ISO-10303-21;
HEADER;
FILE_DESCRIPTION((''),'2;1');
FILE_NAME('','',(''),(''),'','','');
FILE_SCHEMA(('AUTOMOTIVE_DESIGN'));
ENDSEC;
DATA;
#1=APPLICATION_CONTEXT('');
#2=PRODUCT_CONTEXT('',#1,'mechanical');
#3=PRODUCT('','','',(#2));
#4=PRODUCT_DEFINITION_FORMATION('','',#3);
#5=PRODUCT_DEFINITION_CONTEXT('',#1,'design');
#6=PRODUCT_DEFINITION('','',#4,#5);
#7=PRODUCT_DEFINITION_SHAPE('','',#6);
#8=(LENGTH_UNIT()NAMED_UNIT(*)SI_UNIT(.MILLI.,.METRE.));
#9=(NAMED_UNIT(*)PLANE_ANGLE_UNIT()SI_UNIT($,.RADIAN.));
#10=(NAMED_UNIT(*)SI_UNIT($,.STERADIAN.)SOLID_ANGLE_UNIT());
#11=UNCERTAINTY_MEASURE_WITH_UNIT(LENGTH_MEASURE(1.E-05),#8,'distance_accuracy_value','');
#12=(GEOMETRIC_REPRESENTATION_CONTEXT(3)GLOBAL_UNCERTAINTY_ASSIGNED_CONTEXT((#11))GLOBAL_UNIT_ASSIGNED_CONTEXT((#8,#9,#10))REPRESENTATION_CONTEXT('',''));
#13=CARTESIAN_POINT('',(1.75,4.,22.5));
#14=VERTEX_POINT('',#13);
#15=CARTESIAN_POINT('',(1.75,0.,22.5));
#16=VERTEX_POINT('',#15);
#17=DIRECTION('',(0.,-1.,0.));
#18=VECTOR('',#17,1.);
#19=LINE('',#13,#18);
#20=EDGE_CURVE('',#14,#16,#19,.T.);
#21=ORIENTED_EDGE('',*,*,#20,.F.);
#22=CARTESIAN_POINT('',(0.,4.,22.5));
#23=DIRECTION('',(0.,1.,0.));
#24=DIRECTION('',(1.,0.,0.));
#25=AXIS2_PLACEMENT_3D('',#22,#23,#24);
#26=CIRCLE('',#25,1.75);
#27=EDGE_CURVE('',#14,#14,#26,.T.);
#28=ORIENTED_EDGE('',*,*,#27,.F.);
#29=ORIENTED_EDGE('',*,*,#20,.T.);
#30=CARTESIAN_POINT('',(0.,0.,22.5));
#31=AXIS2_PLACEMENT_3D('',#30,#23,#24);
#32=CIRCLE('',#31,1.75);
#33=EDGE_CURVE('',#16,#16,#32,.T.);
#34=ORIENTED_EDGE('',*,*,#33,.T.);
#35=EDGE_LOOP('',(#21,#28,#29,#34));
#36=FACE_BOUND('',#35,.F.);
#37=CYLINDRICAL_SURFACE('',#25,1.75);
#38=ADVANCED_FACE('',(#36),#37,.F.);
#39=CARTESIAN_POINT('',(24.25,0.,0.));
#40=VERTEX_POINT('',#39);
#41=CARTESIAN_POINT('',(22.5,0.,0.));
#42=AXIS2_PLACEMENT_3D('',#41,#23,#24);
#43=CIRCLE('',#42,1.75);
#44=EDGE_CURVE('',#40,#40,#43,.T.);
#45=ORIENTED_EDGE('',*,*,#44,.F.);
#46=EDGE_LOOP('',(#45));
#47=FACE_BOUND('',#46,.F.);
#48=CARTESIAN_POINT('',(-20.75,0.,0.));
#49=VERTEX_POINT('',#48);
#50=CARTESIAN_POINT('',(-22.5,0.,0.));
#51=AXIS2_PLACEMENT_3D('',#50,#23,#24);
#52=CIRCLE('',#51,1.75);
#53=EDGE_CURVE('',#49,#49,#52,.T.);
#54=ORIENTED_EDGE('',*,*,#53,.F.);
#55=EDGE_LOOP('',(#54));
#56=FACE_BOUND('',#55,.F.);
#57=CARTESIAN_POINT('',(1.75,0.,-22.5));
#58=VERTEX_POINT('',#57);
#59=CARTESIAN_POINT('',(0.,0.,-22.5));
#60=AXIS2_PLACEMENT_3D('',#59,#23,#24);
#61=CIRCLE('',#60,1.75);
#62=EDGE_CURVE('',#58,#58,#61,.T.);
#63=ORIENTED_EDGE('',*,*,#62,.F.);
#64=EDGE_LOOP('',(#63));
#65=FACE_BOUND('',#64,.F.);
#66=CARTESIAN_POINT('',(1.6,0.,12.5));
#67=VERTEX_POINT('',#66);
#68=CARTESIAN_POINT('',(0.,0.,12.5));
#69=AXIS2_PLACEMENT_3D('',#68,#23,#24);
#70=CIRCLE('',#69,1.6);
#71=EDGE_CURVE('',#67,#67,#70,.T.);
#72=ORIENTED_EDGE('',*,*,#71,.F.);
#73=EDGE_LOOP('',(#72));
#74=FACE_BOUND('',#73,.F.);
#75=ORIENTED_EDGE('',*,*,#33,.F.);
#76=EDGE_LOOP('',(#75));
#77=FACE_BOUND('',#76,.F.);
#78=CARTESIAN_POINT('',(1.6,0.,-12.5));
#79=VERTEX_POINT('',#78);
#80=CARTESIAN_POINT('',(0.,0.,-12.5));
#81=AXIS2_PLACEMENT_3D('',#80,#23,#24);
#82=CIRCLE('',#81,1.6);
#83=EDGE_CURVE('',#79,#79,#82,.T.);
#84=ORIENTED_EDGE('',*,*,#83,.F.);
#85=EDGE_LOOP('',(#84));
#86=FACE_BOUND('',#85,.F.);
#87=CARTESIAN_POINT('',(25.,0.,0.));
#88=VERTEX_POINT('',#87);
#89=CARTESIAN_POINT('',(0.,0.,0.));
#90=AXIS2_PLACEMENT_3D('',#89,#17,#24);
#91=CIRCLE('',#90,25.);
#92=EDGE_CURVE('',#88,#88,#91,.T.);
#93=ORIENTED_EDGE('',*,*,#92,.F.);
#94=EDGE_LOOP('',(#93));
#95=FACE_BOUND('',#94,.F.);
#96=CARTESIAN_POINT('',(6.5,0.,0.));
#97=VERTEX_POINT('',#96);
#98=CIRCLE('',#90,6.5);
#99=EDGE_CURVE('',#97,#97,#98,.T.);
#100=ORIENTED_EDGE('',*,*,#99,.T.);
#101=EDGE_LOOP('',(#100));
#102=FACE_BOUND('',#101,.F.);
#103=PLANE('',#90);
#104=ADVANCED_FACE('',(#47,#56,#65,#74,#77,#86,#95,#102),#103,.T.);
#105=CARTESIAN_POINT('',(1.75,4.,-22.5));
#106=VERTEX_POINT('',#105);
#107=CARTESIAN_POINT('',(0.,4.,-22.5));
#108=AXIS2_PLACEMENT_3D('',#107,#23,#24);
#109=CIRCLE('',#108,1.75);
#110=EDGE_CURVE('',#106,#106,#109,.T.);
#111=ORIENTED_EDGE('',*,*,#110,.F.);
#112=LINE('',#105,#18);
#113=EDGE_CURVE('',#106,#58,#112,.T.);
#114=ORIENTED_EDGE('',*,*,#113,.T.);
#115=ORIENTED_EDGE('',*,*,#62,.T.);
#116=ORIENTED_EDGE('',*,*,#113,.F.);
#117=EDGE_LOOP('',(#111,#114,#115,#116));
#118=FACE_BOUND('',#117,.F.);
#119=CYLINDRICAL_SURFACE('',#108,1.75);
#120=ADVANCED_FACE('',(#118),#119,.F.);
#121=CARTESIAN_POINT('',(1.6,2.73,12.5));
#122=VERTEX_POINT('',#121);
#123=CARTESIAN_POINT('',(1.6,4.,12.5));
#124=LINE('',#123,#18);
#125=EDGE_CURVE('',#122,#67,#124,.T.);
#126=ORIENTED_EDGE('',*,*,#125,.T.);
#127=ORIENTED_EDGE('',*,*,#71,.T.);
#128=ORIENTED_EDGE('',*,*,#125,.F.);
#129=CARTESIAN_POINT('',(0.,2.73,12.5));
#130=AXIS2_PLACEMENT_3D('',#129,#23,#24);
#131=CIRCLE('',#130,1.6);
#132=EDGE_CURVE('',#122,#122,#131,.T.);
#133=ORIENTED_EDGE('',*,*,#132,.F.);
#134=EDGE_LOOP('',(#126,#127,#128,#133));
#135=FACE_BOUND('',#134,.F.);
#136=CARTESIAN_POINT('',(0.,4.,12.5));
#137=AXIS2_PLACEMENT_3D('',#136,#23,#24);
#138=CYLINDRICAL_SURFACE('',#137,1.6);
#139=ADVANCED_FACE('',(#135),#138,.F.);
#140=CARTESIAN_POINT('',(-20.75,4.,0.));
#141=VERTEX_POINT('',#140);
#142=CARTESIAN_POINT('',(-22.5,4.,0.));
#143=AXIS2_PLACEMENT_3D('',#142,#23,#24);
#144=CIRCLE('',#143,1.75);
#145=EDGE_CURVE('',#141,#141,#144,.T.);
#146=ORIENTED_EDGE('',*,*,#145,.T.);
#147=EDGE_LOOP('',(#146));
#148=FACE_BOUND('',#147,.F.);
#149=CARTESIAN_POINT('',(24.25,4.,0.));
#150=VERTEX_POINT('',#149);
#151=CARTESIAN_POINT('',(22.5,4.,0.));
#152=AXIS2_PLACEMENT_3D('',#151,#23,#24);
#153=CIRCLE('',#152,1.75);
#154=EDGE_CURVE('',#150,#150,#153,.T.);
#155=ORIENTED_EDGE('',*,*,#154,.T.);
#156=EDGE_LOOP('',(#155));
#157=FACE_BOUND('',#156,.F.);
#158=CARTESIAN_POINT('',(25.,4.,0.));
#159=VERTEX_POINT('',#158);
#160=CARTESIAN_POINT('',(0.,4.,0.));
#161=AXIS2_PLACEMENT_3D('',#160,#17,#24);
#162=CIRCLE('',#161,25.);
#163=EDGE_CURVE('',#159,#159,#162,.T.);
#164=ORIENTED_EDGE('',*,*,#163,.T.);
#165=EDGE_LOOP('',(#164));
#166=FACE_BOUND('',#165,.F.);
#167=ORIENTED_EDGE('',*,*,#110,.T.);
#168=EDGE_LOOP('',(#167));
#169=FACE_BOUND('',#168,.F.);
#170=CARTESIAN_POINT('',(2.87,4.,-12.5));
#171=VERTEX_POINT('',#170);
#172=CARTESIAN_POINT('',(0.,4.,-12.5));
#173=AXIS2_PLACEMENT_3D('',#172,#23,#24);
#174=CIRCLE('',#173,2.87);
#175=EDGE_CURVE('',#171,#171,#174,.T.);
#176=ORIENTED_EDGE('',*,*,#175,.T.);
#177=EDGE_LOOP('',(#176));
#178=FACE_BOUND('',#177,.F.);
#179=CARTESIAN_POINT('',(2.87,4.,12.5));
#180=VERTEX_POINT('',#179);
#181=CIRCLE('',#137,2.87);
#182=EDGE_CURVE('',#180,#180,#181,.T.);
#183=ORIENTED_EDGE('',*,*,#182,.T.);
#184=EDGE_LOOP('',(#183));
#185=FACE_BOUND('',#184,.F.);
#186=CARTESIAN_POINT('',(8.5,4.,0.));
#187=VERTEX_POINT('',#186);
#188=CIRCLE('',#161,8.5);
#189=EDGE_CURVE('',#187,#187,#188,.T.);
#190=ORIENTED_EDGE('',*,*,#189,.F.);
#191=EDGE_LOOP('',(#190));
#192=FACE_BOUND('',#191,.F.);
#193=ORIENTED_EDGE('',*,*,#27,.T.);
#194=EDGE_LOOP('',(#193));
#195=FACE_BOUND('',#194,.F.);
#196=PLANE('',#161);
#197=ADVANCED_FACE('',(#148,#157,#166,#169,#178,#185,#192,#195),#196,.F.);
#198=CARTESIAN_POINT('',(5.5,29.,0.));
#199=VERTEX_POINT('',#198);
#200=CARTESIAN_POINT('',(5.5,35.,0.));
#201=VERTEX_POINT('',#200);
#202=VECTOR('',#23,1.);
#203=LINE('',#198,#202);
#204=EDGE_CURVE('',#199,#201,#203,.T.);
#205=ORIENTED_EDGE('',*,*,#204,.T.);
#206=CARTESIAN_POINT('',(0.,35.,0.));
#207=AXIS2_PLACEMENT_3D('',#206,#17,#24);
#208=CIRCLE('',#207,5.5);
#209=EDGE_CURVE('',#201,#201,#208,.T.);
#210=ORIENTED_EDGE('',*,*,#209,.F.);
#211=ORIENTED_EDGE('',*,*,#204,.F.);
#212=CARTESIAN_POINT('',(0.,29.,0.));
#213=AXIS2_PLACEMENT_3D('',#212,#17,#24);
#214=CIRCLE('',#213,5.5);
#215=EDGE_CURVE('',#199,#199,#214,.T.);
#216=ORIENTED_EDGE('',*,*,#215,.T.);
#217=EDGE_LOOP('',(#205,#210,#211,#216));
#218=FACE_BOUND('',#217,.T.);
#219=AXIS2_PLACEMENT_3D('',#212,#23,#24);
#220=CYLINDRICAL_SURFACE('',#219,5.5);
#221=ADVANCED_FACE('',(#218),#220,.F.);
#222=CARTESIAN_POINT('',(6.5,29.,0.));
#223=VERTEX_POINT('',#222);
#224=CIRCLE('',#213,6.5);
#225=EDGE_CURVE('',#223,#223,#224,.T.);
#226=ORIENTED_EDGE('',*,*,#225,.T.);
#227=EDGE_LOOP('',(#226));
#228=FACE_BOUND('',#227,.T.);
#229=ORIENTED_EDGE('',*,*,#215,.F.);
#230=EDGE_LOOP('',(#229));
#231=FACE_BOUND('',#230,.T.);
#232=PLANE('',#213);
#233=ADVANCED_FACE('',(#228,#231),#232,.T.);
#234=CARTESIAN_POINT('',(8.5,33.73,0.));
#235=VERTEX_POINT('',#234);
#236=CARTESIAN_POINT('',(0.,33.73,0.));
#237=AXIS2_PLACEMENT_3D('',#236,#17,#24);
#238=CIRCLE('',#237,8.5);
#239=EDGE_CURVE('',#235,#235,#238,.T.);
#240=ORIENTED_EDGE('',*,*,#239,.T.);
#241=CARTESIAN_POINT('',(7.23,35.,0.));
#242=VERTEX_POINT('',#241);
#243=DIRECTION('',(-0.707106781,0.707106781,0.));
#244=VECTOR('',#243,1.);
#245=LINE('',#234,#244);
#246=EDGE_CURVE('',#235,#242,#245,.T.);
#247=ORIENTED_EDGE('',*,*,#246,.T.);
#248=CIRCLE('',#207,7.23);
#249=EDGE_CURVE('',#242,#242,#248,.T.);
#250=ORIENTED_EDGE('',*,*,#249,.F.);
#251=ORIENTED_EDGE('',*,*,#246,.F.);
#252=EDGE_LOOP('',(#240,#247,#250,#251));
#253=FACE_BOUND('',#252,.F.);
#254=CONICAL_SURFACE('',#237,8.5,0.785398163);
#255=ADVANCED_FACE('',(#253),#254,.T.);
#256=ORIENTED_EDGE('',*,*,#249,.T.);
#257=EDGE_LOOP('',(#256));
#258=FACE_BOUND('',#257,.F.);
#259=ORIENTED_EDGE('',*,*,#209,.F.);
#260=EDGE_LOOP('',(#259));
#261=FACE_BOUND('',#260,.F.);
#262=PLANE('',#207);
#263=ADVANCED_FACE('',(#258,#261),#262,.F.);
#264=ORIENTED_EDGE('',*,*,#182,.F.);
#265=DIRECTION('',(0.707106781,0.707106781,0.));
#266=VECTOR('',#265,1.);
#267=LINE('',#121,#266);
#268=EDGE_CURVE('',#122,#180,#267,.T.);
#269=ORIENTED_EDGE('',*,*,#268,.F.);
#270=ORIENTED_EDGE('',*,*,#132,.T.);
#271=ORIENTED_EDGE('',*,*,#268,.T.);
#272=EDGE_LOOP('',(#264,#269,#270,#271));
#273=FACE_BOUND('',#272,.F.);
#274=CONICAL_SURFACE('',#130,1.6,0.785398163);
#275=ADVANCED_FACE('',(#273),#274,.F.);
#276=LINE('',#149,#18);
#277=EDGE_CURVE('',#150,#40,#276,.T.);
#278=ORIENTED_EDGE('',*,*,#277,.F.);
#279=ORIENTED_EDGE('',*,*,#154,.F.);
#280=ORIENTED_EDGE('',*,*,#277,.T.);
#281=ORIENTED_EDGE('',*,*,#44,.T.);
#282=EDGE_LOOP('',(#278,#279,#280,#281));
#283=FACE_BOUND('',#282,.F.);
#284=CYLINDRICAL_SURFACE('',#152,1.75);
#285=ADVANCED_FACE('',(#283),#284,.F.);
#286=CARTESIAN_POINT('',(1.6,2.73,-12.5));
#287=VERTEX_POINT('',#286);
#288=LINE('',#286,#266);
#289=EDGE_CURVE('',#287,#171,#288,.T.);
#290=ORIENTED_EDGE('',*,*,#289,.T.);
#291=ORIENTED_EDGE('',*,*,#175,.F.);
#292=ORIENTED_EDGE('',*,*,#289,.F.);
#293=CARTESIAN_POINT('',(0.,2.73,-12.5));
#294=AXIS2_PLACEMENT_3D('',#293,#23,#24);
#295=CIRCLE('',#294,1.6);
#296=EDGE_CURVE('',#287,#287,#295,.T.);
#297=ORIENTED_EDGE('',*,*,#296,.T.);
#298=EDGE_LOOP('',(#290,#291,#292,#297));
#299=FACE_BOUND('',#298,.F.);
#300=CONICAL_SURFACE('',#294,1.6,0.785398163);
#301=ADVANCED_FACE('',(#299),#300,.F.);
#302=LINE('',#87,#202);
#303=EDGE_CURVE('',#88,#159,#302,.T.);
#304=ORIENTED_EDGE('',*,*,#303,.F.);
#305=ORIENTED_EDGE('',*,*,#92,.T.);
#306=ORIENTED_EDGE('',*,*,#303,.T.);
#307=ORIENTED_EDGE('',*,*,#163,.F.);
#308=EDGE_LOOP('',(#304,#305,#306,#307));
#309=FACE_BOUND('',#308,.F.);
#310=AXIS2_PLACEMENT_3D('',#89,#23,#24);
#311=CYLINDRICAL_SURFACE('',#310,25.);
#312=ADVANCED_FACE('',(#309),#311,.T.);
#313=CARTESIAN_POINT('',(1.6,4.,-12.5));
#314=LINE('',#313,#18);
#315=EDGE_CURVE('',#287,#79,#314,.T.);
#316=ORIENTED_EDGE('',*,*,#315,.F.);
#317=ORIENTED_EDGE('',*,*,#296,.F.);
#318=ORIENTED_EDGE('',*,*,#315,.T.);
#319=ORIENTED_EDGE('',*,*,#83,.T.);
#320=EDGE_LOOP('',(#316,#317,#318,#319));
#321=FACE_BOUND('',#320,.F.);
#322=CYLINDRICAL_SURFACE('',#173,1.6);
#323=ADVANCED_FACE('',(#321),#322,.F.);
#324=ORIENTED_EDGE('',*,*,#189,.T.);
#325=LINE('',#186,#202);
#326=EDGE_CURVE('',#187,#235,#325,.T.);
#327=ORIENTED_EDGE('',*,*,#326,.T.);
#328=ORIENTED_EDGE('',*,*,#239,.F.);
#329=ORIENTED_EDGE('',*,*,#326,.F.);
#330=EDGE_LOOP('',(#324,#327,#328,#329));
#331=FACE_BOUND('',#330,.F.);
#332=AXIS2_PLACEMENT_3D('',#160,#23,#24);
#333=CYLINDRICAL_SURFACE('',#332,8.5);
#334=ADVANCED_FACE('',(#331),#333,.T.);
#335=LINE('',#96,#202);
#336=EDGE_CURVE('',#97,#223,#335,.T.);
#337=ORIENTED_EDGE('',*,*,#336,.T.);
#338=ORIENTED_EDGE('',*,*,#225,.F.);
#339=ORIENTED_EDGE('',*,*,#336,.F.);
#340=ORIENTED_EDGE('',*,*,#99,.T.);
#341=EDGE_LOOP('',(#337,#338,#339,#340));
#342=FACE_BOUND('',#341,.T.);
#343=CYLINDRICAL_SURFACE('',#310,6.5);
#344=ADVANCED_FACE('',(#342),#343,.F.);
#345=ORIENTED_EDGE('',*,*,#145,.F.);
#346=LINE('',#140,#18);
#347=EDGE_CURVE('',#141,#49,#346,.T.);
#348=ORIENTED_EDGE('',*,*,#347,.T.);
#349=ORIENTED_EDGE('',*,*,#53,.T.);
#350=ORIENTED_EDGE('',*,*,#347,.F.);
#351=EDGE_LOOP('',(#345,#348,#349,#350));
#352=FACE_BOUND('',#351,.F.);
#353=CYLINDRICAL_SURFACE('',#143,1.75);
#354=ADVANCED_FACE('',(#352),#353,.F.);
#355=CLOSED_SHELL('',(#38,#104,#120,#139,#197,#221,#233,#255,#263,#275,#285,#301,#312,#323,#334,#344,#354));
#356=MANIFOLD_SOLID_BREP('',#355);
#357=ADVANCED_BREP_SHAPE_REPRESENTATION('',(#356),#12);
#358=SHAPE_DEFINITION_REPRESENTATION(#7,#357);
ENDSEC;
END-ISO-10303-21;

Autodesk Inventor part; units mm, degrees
ref_plane "YZ Plane" through (0, 0, 0) normal (1, 0, 0) x (0, 1, 0)
ref_plane "XZ Plane" through (0, 0, 0) normal (0, 1, 0) x (-1, 0, 0)
ref_plane "XY Plane" through (0, 0, 0) normal (0, 0, 1) x (1, 0, 0)
sketch "Sketch1" plane through (0, 0, 0) normal (0, 0, 1) x (1, 0, 0)
  line L0 (0, 0) -> (25, 0)
  line L1 (25, 0) -> (25, 4)
  line L2 (25, 4) -> (8.5, 4)
  line L3 (8.5, 4) -> (8.5, 35)
  line L4 (8.5, 35) -> (0, 35)
  line L5 (0, 0) -> (6.5, 0)
  line L6 (6.5, 0) -> (6.5, 29)
  line L7 (6.5, 29) -> (5.5, 29)
  line L8 (5.5, 29) -> (5.5, 35)
  line L9 (0, 35) -> (0, 0)
  dimension "d0" = 25
  dimension "d1" = 4
  dimension "d2" = 8.5
  dimension "d3" = 31
  dimension "d4" = 6.5
  dimension "d5" = 29
  dimension "d6" = 5.5
revolve "Revolution1" add sketch "Sketch1" angle 360 about axis through (0, 35, 0) along (0, -1, 0) contours L6 L7 L8 L4 L3 L2 L1 L0
sketch "Sketch2" plane through (0, 4, 0) normal (0, 1, 0) x (1, 0, 0)
  circle A0 centre (0, -22.5) radius 1.75
  circle A1 centre (22.5, 0) radius 1.75
  circle A2 centre (0, 22.5) radius 1.75
  circle A3 centre (-22.5, 0) radius 1.75
  circle A4 centre (0, -12.5) radius 1.6
  circle A5 centre (0, 12.5) radius 1.6
  point P0 (0, 0)
  dimension "d8" = 3.5
  dimension "d9" = 22.5
  dimension "d12" = 360
  dimension "d14" = 3.2
  dimension "d15" = 12.5
  dimension "d18" = 360
extrude "Extrusion1" cut sketch "Sketch2" against normal blind 25.4
chamfer "Chamfer1" distance 1.27 angle 45 2 edges at (-1.6, 4, 12.5) (-1.6, 4, -12.5)
chamfer "Chamfer2" distance 1.27 angle 45 1 edges at (-8.5, 35, 0)
properties part number "MotorMount"
